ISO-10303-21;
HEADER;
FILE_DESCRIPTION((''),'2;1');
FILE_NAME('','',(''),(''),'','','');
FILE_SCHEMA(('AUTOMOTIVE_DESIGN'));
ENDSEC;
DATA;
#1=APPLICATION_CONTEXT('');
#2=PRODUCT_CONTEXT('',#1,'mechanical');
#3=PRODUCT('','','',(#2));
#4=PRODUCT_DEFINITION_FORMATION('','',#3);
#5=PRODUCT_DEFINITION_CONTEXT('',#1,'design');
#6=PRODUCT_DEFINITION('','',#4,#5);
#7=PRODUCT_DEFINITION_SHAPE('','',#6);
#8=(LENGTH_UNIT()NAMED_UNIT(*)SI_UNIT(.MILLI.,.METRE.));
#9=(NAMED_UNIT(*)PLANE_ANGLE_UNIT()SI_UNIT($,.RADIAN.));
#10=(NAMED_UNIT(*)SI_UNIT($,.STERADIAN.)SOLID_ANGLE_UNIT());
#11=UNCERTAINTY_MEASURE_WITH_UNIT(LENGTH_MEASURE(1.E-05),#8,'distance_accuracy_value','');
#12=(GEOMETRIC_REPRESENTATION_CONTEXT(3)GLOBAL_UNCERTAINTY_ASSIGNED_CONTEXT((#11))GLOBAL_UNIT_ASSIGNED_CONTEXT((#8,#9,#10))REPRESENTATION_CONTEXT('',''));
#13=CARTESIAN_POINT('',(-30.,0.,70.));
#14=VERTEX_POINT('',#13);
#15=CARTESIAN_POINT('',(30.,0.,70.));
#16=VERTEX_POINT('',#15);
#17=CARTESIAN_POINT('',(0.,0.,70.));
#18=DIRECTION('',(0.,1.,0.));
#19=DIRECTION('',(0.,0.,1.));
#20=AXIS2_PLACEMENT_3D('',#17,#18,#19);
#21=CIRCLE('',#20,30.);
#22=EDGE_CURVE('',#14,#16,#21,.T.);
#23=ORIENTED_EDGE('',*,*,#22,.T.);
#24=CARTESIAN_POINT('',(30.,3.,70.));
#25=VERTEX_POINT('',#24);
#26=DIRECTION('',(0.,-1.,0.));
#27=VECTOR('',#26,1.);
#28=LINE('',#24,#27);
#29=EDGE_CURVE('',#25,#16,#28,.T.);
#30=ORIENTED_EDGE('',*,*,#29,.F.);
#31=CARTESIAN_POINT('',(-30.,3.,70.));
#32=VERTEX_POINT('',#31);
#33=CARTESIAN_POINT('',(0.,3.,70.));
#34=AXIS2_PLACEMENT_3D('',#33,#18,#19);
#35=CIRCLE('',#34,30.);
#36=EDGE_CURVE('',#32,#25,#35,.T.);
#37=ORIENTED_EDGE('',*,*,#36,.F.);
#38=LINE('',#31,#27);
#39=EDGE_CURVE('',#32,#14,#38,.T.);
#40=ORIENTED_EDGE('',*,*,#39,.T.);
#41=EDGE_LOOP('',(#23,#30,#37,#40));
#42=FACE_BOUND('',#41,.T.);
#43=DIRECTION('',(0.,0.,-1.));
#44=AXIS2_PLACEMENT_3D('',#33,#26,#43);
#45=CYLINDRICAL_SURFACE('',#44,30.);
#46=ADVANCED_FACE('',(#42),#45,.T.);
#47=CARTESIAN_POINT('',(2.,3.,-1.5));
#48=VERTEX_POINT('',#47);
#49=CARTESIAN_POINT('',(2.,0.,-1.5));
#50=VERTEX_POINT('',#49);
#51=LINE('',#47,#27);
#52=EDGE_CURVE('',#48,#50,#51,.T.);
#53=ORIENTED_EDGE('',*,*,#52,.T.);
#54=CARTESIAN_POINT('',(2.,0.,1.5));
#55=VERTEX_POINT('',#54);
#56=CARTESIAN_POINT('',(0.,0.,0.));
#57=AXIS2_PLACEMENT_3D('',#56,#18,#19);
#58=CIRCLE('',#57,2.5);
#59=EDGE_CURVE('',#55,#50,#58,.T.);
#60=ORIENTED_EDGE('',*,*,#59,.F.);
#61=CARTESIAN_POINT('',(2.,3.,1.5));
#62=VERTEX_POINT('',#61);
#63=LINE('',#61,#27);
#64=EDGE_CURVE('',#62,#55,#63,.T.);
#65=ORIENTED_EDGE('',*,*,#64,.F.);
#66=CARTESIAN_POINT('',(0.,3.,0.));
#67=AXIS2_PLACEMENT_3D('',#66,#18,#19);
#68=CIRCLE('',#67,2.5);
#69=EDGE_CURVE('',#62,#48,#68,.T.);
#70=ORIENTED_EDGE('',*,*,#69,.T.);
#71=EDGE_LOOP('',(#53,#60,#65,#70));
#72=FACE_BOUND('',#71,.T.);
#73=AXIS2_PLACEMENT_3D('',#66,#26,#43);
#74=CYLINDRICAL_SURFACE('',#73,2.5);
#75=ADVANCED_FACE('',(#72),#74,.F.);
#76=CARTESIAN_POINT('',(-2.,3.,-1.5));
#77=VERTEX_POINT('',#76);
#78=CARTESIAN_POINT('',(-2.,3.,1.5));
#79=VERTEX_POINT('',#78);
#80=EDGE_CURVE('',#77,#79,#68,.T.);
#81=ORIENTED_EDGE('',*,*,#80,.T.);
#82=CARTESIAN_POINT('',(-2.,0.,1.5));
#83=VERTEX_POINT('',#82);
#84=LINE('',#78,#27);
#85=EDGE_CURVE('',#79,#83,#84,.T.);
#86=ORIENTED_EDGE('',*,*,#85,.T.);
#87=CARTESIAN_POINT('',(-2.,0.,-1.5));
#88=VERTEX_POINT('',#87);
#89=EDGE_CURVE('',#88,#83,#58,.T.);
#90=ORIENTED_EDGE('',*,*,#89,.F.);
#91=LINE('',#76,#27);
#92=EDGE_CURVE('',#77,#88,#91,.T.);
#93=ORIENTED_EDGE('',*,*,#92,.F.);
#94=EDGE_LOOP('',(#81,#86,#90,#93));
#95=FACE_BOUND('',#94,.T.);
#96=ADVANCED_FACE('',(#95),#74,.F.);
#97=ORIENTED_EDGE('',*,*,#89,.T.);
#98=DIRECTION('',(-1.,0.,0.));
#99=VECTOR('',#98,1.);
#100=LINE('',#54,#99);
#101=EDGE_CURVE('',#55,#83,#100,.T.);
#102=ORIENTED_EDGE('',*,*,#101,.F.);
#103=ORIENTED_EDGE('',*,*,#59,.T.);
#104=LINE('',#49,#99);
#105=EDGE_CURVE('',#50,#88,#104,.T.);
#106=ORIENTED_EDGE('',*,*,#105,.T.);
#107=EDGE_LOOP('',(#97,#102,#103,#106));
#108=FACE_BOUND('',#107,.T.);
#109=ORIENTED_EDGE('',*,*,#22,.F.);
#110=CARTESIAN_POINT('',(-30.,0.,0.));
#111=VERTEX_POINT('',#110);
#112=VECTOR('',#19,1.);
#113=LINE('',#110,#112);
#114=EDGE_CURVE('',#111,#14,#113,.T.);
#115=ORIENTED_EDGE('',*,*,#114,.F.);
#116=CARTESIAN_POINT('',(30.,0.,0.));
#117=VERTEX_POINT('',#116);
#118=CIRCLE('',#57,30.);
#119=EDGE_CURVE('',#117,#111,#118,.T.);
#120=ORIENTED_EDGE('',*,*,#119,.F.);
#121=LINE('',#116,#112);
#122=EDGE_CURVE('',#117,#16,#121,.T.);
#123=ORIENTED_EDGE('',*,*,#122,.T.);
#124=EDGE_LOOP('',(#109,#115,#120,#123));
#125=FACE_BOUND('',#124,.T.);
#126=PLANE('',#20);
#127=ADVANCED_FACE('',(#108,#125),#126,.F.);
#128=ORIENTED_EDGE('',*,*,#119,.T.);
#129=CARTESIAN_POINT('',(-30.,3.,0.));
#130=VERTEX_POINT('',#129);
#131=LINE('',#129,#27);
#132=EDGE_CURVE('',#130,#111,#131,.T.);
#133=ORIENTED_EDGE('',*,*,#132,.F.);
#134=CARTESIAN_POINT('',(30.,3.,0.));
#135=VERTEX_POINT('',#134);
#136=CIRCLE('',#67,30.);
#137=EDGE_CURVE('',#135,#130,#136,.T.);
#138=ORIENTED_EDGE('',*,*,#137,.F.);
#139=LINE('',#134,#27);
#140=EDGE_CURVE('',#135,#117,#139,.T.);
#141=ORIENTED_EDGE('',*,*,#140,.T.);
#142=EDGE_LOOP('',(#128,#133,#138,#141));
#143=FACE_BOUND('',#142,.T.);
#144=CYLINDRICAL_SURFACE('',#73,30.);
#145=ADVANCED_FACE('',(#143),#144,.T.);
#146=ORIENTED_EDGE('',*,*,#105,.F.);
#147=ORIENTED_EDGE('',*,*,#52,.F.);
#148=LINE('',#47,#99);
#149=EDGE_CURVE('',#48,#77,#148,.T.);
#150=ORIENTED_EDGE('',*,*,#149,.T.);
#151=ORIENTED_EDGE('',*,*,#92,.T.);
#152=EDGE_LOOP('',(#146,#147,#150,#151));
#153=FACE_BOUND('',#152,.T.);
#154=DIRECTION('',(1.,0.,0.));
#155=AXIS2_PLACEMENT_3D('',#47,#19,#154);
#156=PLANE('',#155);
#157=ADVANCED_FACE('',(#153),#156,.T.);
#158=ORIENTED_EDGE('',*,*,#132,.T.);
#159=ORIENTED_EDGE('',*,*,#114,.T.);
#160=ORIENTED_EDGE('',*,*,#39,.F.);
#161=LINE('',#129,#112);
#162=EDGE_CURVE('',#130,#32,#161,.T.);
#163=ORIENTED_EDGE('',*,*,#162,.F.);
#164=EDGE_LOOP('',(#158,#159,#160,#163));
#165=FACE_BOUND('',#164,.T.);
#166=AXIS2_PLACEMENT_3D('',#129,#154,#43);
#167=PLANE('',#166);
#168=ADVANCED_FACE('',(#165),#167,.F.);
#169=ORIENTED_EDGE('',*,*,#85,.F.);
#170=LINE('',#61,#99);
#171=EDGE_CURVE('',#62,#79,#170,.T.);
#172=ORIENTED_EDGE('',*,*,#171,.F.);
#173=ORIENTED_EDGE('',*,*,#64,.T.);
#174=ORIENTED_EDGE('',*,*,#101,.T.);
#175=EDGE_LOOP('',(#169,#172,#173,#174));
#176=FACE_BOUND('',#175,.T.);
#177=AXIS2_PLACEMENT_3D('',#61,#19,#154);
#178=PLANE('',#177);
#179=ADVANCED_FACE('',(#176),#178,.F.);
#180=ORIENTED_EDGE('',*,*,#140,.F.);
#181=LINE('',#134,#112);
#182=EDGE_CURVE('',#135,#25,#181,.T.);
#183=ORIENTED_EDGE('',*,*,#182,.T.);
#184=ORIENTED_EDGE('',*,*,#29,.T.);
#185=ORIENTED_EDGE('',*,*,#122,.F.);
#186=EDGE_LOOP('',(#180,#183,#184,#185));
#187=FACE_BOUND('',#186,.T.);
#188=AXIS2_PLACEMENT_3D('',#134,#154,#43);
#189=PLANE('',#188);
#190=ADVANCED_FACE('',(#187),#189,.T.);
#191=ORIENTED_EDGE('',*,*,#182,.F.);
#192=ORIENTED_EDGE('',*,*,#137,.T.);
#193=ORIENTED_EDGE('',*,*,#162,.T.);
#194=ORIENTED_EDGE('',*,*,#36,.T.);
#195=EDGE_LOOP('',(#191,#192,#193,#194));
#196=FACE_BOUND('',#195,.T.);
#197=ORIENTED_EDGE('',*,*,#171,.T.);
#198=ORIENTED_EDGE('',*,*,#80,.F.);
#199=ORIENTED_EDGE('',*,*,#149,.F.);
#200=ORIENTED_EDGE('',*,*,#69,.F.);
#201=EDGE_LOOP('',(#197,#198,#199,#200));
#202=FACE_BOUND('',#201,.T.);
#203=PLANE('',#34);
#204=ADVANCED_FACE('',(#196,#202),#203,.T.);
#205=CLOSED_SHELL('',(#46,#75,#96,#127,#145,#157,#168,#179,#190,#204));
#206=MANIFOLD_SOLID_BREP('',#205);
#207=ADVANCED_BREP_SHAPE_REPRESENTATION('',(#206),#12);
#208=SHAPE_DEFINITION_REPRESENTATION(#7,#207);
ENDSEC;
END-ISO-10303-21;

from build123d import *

# Parameters (mm, degrees)
BOSS_EXTRUDE1_DEPTH = 3


with BuildPart() as part:
    # Sketch1 → Boss-Extrude1 (new body)
    with BuildSketch(Plane(origin=(0, 0, 0), x_dir=(1, 0, 0), z_dir=(0, 1, 0))):
        with BuildLine():
            Line((-30, 0), (-30, -70))
            ThreePointArc((-30, -70), (0, -100), (30, -70))
            Line((30, -70), (30, 0))
            ThreePointArc((30, 0), (0, 30), (-30, 0))
        make_face()
        with BuildLine():
            Line((2, -1.5), (-2, -1.5))
            ThreePointArc((-2, -1.5), (-2.5, 0), (-2, 1.5))
            Line((-2, 1.5), (2, 1.5))
            ThreePointArc((2, 1.5), (2.5, 0), (2, -1.5))
        make_face(mode=Mode.SUBTRACT)
    extrude(amount=BOSS_EXTRUDE1_DEPTH)


solid = part.part
